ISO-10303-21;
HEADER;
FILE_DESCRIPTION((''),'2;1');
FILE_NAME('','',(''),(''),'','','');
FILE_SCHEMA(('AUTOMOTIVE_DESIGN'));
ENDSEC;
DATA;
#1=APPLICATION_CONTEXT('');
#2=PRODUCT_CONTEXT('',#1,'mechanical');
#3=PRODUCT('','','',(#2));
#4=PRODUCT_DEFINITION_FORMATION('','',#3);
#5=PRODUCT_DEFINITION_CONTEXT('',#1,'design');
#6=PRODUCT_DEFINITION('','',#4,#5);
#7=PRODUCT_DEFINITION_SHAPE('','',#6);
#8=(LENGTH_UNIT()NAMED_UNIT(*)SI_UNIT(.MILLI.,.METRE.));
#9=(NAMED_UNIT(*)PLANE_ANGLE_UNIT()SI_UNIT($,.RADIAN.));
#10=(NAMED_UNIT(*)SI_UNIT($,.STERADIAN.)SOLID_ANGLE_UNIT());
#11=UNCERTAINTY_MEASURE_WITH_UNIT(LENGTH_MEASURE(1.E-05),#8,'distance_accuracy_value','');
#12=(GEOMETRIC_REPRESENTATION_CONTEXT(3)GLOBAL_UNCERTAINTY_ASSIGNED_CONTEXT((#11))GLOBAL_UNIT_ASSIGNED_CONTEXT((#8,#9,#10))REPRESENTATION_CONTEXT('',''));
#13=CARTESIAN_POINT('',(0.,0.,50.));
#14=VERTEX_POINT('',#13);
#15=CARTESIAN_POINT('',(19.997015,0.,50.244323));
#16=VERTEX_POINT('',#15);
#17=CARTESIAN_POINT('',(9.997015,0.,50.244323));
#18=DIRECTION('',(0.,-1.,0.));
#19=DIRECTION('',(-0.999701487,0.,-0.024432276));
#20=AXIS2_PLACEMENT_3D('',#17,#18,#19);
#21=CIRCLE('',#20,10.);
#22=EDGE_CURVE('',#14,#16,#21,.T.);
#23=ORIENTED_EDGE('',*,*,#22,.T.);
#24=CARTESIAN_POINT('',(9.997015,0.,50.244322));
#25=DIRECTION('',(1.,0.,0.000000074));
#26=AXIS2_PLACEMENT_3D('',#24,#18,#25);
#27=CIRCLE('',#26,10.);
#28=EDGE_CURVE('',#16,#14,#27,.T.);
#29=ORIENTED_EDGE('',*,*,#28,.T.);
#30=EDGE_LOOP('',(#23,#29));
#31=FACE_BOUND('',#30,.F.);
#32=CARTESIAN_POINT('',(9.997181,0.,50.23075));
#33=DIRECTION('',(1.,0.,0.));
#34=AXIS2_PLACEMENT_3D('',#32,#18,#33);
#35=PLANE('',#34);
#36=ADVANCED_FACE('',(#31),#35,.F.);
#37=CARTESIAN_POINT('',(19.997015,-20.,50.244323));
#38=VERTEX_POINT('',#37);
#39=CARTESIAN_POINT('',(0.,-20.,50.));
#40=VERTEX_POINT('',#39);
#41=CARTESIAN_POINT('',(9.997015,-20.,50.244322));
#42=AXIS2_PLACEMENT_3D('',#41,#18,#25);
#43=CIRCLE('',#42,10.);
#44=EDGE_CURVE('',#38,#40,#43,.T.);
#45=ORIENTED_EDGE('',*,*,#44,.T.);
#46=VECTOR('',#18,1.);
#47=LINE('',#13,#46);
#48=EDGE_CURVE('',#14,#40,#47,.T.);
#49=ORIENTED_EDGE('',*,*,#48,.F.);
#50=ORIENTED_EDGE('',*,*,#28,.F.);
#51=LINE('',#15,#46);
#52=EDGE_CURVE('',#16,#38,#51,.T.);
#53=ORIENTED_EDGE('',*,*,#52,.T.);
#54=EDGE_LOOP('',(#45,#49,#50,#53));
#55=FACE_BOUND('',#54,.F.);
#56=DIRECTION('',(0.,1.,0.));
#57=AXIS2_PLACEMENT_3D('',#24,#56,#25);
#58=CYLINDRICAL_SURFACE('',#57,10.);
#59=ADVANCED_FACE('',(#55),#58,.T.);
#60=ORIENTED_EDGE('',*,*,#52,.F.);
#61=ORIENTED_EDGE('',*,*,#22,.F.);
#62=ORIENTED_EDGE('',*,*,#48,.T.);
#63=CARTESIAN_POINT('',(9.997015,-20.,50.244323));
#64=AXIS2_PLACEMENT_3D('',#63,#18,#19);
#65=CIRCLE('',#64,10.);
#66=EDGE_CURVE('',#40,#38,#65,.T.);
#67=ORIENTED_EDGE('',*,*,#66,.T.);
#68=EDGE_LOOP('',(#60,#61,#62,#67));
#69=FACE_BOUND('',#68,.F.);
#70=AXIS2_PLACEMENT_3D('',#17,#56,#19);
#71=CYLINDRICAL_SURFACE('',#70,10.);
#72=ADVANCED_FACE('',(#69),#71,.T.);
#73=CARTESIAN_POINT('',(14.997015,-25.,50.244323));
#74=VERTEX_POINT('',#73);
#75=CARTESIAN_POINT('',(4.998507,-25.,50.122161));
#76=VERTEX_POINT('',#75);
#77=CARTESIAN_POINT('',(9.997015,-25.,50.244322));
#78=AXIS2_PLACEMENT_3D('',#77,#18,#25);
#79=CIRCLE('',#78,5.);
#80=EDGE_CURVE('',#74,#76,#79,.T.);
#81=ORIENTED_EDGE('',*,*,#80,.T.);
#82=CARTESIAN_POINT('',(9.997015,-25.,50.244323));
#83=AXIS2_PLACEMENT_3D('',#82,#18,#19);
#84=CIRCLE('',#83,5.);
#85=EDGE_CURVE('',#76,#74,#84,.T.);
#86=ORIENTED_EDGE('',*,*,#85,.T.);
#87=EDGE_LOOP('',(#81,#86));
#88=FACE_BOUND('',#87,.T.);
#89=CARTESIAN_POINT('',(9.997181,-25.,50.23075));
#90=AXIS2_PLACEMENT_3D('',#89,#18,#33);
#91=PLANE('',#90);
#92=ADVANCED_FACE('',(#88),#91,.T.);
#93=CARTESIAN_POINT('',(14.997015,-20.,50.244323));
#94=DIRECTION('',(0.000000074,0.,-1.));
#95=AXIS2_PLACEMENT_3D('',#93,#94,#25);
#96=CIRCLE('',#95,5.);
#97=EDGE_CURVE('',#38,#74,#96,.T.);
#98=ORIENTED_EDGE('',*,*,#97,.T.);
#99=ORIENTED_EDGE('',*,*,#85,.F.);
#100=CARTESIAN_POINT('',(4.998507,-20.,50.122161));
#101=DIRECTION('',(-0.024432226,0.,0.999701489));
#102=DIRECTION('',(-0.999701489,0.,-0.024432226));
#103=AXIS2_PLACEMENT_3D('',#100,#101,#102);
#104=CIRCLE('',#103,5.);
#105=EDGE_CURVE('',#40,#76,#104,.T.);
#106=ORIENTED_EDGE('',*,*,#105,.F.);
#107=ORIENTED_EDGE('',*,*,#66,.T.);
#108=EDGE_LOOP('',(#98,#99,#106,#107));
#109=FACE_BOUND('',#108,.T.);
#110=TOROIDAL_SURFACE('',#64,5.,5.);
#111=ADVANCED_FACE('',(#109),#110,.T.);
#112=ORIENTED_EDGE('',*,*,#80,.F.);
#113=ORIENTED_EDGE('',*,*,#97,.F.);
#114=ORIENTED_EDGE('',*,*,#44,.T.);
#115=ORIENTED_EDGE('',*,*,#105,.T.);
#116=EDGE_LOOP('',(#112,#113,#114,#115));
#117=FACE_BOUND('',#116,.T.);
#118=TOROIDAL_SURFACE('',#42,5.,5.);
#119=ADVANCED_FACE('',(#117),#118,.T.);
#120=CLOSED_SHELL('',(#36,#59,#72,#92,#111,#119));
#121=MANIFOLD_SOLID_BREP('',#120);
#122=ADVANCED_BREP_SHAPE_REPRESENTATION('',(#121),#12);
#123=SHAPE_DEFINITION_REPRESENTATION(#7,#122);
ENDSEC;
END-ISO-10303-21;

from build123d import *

# Parameters (mm, degrees)
F1_DEPTH = 25
F2_R     = 5


with BuildPart() as f1:
    # F0 (on Front) → F1 (new body)
    with BuildSketch(Plane.XZ):
        with BuildLine():
            ThreePointArc((0, 50), (10.119185, 40.245069), (19.997015, 50.244323))
            ThreePointArc((19.997015, 50.244323), (9.874844, 60.243576), (0, 50))
        make_face()
    extrude(amount=F1_DEPTH)

    # F2
    f2_edges = [f1.edges().sort_by_distance(p)[0] for p in [
        (19.99403, -25, 50.488645),
    ]]
    fillet(f2_edges, radius=F2_R)


solid = f1.part
